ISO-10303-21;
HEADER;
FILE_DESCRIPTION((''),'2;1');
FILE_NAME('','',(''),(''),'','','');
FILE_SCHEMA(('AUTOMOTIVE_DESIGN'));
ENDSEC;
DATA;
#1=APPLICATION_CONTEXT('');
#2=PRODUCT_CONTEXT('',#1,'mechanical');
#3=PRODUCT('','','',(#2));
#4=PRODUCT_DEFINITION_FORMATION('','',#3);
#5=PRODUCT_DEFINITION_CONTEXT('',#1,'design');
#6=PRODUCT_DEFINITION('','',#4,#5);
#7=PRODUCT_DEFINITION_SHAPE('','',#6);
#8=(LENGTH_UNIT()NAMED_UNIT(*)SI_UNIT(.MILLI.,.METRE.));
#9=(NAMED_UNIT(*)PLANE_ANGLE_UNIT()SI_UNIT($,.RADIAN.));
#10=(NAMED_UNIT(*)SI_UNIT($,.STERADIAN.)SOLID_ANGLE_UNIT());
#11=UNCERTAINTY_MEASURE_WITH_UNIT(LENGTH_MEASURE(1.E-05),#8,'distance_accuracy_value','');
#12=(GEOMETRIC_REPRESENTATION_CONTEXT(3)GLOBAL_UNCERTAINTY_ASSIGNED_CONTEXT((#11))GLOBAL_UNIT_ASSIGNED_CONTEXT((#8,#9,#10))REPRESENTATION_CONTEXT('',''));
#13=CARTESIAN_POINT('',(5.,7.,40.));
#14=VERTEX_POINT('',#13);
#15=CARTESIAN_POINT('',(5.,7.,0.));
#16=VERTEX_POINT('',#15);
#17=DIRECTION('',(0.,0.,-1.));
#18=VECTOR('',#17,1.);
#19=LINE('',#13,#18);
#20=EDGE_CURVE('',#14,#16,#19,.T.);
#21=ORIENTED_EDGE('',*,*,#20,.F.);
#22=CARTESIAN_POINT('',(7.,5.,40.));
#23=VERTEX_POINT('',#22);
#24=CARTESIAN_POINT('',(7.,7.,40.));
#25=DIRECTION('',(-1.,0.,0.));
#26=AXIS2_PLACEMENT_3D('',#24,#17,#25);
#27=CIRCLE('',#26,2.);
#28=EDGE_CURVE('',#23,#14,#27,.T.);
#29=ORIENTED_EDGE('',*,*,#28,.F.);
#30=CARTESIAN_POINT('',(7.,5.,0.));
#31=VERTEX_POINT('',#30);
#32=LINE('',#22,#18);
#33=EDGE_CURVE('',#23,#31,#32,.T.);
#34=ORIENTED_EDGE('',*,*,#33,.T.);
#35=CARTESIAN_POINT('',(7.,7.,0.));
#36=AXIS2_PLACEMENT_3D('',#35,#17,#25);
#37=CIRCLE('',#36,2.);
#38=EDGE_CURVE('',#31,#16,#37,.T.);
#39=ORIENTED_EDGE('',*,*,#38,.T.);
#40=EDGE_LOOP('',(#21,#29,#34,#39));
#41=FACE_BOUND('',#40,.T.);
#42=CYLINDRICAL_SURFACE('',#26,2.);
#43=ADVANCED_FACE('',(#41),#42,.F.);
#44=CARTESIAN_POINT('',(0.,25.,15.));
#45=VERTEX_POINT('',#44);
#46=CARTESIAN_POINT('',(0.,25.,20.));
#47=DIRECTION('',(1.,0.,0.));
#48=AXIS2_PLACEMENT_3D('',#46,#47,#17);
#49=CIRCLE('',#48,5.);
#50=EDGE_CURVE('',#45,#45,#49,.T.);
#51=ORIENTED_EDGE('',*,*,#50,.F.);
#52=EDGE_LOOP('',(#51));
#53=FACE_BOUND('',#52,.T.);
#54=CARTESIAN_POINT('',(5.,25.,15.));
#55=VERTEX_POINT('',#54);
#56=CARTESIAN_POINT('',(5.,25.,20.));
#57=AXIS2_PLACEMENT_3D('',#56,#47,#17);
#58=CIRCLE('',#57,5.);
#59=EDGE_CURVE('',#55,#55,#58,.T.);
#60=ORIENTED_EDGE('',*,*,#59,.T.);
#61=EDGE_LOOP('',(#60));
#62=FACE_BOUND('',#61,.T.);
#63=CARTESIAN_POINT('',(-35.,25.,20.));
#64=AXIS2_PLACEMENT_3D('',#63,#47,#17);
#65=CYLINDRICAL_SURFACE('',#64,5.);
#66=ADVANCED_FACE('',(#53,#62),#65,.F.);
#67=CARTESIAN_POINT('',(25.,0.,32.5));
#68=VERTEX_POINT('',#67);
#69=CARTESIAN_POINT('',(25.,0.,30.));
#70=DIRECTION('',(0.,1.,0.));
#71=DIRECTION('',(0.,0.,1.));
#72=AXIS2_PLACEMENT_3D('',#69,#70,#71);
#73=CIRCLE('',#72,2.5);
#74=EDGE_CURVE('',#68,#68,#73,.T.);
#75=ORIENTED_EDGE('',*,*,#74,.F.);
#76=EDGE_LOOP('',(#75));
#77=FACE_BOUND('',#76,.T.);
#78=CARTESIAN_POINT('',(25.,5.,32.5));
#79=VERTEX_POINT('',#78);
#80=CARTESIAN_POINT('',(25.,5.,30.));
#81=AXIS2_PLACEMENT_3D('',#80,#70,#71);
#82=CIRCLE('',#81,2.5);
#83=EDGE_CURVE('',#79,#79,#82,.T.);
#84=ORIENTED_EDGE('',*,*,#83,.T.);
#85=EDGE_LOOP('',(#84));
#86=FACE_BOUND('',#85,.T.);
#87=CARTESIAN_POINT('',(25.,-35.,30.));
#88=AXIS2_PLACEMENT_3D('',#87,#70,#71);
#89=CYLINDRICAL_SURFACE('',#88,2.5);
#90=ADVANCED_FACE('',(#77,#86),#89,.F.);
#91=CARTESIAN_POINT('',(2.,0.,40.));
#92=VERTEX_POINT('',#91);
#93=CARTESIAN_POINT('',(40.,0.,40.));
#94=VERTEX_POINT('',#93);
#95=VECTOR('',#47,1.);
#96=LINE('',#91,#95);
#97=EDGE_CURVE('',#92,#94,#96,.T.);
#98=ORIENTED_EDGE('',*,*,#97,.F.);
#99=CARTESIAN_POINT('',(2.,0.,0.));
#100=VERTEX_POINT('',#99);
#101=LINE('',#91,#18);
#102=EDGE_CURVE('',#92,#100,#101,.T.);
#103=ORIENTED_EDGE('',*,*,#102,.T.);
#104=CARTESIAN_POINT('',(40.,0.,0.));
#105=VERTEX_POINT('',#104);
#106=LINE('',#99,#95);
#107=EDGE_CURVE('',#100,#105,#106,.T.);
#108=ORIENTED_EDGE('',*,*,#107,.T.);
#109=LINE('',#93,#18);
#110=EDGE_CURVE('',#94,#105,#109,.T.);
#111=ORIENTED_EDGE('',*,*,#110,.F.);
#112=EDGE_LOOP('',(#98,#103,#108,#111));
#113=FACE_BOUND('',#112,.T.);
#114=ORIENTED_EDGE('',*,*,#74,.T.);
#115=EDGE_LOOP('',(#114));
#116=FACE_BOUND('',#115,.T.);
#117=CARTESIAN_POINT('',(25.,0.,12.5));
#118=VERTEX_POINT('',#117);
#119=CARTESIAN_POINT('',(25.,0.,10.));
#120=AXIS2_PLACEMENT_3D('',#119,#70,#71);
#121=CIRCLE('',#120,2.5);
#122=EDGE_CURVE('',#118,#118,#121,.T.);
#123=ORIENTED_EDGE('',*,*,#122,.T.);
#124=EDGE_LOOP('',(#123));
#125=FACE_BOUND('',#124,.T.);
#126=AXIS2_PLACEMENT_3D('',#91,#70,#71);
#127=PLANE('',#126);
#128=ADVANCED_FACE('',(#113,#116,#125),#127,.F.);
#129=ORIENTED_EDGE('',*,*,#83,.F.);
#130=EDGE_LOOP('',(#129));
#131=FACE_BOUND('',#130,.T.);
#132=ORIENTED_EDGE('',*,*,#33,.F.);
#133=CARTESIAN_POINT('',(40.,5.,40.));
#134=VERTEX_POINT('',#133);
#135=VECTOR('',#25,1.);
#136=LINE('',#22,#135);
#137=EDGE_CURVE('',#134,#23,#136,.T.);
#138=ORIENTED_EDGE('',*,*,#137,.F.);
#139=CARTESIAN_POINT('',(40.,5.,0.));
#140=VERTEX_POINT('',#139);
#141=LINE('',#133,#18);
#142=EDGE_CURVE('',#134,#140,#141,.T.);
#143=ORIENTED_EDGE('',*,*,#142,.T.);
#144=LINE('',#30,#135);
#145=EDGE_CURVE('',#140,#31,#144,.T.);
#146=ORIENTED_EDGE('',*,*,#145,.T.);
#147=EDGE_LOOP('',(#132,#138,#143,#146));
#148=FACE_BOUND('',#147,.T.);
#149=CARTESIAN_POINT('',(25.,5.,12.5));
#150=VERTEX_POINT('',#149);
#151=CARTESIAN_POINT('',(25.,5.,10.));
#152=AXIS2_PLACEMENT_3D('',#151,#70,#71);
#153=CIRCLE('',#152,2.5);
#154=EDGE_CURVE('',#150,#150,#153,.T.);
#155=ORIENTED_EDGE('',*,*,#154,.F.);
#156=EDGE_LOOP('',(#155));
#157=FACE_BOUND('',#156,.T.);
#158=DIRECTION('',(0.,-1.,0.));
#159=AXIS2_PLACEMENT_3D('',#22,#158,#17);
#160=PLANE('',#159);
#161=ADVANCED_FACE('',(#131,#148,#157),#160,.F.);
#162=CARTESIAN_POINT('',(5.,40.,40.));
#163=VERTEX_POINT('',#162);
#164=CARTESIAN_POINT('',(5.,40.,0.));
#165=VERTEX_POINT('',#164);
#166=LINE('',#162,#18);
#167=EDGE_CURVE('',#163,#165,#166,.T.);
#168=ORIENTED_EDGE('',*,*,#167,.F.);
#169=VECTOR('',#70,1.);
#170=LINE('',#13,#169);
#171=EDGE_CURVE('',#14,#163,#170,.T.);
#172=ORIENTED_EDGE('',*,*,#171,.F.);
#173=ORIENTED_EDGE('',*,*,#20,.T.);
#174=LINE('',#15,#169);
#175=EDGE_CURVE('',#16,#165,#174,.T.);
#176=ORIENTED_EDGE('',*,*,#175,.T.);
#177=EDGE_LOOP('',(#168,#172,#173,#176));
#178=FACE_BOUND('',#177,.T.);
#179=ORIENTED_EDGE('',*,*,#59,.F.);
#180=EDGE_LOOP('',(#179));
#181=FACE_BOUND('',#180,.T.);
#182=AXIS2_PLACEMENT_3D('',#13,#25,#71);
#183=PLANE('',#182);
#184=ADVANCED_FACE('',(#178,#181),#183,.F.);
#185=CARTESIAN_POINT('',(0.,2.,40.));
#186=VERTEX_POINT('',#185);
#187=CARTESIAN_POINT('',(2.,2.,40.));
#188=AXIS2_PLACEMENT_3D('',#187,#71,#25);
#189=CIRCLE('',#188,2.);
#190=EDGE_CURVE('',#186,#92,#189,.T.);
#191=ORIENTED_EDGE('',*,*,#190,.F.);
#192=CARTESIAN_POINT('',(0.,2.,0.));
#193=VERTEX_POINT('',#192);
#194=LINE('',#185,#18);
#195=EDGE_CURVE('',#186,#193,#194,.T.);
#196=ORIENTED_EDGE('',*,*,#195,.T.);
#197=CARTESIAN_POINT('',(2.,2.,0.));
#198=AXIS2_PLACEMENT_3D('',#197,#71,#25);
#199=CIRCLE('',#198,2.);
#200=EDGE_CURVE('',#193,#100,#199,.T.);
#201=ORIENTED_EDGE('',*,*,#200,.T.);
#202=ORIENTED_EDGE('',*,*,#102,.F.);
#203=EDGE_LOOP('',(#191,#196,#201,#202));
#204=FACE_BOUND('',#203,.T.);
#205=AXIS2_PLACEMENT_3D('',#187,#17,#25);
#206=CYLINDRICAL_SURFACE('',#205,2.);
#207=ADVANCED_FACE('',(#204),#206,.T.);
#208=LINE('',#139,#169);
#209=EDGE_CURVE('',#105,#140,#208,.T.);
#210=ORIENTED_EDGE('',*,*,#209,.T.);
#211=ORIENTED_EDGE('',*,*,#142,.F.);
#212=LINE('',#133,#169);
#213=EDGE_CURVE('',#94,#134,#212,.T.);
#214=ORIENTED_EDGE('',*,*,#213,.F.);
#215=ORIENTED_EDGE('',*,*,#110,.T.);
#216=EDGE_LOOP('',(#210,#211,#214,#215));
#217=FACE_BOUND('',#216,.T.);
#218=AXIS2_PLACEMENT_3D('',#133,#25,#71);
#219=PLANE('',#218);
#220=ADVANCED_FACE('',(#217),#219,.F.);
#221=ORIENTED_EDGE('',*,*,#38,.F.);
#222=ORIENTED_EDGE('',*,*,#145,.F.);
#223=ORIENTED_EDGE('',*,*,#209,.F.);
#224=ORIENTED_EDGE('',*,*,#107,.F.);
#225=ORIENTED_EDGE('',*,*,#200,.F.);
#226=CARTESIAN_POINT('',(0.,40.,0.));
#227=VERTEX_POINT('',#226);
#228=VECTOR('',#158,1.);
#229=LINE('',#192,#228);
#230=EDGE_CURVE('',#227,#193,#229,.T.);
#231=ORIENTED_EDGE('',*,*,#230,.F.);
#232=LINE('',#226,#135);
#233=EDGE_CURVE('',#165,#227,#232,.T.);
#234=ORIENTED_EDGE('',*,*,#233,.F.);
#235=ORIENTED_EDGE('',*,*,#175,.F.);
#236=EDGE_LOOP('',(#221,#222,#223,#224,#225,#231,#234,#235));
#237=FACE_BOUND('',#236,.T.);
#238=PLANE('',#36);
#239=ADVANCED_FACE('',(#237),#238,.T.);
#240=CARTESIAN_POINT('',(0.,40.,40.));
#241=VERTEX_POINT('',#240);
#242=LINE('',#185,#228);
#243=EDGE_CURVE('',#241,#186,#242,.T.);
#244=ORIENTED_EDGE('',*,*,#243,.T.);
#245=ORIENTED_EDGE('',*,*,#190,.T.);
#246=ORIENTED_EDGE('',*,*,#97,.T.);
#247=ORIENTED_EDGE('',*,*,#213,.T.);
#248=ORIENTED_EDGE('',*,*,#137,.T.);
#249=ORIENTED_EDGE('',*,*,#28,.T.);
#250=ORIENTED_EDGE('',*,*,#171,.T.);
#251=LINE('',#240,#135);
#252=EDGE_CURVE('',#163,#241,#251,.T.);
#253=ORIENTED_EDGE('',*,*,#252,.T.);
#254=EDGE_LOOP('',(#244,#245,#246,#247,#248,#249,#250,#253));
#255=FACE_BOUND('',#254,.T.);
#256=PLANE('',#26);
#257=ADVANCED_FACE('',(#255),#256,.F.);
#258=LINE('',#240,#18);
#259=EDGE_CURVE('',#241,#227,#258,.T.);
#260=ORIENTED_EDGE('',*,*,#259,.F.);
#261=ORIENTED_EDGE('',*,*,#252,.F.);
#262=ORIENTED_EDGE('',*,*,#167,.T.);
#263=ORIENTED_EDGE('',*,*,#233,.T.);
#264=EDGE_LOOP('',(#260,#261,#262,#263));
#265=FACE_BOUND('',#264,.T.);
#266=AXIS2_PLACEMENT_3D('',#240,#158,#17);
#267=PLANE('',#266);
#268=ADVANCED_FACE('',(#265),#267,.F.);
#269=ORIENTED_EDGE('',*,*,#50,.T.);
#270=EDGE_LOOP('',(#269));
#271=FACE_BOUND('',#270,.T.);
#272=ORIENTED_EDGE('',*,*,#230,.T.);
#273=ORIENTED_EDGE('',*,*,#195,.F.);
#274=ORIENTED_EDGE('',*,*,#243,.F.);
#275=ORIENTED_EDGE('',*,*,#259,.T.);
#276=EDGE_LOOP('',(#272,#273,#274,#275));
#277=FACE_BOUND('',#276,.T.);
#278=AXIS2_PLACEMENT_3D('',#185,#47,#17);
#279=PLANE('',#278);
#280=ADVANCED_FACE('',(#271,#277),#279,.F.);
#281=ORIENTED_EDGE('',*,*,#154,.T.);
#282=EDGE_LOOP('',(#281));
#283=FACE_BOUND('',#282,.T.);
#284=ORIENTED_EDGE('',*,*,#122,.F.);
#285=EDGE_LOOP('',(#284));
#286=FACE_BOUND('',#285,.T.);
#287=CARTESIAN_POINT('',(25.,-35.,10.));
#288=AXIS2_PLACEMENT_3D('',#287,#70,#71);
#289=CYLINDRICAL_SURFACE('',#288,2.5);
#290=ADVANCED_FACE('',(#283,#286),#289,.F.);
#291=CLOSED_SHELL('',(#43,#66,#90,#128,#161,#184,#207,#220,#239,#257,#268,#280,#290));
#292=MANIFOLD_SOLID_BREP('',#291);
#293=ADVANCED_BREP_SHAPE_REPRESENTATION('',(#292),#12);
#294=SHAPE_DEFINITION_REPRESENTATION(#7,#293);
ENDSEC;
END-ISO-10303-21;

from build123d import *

# Parameters (mm, degrees)
BOSS_EXTRUDE1_DEPTH = 40
SKETCH3_R           = 5
CUT_EXTRUDE1_DEPTH  = 40
SKETCH4_R           = 2.5
CUT_EXTRUDE2_DEPTH  = 40


with BuildPart() as part:
    # Sketch2 → Boss-Extrude1 (new body)
    with BuildSketch(Plane.XY):
        with BuildLine():
            Line((0, 2), (0, 40))
            Line((0, 40), (5, 40))
            Line((5, 40), (5, 7))
            ThreePointArc((5, 7), (5.585786438, 5.585786438), (7, 5))
            Line((7, 5), (40, 5))
            Line((40, 5), (40, 0))
            Line((40, 0), (2, 0))
            ThreePointArc((2, 0), (0.585786438, 0.585786438), (0, 2))
        make_face()
    extrude(amount=BOSS_EXTRUDE1_DEPTH)

    # Sketch3 → Cut-Extrude1 (cut)
    with BuildSketch(Plane(origin=(5, 0, 0), x_dir=(0, 0, -1), z_dir=(1, 0, 0))):
        with Locations((-20, 25)):
            Circle(SKETCH3_R)
    extrude(amount=-CUT_EXTRUDE1_DEPTH, mode=Mode.SUBTRACT)

    # Sketch4 → Cut-Extrude2 (cut)
    with BuildSketch(Plane(origin=(0, 5, 0), x_dir=(1, 0, 0), z_dir=(0, 1, 0))):
        with Locations((25, -10)):
            Circle(SKETCH4_R)
        with Locations((25, -30)):
            Circle(SKETCH4_R)
    extrude(amount=-CUT_EXTRUDE2_DEPTH, mode=Mode.SUBTRACT)


solid = part.part
